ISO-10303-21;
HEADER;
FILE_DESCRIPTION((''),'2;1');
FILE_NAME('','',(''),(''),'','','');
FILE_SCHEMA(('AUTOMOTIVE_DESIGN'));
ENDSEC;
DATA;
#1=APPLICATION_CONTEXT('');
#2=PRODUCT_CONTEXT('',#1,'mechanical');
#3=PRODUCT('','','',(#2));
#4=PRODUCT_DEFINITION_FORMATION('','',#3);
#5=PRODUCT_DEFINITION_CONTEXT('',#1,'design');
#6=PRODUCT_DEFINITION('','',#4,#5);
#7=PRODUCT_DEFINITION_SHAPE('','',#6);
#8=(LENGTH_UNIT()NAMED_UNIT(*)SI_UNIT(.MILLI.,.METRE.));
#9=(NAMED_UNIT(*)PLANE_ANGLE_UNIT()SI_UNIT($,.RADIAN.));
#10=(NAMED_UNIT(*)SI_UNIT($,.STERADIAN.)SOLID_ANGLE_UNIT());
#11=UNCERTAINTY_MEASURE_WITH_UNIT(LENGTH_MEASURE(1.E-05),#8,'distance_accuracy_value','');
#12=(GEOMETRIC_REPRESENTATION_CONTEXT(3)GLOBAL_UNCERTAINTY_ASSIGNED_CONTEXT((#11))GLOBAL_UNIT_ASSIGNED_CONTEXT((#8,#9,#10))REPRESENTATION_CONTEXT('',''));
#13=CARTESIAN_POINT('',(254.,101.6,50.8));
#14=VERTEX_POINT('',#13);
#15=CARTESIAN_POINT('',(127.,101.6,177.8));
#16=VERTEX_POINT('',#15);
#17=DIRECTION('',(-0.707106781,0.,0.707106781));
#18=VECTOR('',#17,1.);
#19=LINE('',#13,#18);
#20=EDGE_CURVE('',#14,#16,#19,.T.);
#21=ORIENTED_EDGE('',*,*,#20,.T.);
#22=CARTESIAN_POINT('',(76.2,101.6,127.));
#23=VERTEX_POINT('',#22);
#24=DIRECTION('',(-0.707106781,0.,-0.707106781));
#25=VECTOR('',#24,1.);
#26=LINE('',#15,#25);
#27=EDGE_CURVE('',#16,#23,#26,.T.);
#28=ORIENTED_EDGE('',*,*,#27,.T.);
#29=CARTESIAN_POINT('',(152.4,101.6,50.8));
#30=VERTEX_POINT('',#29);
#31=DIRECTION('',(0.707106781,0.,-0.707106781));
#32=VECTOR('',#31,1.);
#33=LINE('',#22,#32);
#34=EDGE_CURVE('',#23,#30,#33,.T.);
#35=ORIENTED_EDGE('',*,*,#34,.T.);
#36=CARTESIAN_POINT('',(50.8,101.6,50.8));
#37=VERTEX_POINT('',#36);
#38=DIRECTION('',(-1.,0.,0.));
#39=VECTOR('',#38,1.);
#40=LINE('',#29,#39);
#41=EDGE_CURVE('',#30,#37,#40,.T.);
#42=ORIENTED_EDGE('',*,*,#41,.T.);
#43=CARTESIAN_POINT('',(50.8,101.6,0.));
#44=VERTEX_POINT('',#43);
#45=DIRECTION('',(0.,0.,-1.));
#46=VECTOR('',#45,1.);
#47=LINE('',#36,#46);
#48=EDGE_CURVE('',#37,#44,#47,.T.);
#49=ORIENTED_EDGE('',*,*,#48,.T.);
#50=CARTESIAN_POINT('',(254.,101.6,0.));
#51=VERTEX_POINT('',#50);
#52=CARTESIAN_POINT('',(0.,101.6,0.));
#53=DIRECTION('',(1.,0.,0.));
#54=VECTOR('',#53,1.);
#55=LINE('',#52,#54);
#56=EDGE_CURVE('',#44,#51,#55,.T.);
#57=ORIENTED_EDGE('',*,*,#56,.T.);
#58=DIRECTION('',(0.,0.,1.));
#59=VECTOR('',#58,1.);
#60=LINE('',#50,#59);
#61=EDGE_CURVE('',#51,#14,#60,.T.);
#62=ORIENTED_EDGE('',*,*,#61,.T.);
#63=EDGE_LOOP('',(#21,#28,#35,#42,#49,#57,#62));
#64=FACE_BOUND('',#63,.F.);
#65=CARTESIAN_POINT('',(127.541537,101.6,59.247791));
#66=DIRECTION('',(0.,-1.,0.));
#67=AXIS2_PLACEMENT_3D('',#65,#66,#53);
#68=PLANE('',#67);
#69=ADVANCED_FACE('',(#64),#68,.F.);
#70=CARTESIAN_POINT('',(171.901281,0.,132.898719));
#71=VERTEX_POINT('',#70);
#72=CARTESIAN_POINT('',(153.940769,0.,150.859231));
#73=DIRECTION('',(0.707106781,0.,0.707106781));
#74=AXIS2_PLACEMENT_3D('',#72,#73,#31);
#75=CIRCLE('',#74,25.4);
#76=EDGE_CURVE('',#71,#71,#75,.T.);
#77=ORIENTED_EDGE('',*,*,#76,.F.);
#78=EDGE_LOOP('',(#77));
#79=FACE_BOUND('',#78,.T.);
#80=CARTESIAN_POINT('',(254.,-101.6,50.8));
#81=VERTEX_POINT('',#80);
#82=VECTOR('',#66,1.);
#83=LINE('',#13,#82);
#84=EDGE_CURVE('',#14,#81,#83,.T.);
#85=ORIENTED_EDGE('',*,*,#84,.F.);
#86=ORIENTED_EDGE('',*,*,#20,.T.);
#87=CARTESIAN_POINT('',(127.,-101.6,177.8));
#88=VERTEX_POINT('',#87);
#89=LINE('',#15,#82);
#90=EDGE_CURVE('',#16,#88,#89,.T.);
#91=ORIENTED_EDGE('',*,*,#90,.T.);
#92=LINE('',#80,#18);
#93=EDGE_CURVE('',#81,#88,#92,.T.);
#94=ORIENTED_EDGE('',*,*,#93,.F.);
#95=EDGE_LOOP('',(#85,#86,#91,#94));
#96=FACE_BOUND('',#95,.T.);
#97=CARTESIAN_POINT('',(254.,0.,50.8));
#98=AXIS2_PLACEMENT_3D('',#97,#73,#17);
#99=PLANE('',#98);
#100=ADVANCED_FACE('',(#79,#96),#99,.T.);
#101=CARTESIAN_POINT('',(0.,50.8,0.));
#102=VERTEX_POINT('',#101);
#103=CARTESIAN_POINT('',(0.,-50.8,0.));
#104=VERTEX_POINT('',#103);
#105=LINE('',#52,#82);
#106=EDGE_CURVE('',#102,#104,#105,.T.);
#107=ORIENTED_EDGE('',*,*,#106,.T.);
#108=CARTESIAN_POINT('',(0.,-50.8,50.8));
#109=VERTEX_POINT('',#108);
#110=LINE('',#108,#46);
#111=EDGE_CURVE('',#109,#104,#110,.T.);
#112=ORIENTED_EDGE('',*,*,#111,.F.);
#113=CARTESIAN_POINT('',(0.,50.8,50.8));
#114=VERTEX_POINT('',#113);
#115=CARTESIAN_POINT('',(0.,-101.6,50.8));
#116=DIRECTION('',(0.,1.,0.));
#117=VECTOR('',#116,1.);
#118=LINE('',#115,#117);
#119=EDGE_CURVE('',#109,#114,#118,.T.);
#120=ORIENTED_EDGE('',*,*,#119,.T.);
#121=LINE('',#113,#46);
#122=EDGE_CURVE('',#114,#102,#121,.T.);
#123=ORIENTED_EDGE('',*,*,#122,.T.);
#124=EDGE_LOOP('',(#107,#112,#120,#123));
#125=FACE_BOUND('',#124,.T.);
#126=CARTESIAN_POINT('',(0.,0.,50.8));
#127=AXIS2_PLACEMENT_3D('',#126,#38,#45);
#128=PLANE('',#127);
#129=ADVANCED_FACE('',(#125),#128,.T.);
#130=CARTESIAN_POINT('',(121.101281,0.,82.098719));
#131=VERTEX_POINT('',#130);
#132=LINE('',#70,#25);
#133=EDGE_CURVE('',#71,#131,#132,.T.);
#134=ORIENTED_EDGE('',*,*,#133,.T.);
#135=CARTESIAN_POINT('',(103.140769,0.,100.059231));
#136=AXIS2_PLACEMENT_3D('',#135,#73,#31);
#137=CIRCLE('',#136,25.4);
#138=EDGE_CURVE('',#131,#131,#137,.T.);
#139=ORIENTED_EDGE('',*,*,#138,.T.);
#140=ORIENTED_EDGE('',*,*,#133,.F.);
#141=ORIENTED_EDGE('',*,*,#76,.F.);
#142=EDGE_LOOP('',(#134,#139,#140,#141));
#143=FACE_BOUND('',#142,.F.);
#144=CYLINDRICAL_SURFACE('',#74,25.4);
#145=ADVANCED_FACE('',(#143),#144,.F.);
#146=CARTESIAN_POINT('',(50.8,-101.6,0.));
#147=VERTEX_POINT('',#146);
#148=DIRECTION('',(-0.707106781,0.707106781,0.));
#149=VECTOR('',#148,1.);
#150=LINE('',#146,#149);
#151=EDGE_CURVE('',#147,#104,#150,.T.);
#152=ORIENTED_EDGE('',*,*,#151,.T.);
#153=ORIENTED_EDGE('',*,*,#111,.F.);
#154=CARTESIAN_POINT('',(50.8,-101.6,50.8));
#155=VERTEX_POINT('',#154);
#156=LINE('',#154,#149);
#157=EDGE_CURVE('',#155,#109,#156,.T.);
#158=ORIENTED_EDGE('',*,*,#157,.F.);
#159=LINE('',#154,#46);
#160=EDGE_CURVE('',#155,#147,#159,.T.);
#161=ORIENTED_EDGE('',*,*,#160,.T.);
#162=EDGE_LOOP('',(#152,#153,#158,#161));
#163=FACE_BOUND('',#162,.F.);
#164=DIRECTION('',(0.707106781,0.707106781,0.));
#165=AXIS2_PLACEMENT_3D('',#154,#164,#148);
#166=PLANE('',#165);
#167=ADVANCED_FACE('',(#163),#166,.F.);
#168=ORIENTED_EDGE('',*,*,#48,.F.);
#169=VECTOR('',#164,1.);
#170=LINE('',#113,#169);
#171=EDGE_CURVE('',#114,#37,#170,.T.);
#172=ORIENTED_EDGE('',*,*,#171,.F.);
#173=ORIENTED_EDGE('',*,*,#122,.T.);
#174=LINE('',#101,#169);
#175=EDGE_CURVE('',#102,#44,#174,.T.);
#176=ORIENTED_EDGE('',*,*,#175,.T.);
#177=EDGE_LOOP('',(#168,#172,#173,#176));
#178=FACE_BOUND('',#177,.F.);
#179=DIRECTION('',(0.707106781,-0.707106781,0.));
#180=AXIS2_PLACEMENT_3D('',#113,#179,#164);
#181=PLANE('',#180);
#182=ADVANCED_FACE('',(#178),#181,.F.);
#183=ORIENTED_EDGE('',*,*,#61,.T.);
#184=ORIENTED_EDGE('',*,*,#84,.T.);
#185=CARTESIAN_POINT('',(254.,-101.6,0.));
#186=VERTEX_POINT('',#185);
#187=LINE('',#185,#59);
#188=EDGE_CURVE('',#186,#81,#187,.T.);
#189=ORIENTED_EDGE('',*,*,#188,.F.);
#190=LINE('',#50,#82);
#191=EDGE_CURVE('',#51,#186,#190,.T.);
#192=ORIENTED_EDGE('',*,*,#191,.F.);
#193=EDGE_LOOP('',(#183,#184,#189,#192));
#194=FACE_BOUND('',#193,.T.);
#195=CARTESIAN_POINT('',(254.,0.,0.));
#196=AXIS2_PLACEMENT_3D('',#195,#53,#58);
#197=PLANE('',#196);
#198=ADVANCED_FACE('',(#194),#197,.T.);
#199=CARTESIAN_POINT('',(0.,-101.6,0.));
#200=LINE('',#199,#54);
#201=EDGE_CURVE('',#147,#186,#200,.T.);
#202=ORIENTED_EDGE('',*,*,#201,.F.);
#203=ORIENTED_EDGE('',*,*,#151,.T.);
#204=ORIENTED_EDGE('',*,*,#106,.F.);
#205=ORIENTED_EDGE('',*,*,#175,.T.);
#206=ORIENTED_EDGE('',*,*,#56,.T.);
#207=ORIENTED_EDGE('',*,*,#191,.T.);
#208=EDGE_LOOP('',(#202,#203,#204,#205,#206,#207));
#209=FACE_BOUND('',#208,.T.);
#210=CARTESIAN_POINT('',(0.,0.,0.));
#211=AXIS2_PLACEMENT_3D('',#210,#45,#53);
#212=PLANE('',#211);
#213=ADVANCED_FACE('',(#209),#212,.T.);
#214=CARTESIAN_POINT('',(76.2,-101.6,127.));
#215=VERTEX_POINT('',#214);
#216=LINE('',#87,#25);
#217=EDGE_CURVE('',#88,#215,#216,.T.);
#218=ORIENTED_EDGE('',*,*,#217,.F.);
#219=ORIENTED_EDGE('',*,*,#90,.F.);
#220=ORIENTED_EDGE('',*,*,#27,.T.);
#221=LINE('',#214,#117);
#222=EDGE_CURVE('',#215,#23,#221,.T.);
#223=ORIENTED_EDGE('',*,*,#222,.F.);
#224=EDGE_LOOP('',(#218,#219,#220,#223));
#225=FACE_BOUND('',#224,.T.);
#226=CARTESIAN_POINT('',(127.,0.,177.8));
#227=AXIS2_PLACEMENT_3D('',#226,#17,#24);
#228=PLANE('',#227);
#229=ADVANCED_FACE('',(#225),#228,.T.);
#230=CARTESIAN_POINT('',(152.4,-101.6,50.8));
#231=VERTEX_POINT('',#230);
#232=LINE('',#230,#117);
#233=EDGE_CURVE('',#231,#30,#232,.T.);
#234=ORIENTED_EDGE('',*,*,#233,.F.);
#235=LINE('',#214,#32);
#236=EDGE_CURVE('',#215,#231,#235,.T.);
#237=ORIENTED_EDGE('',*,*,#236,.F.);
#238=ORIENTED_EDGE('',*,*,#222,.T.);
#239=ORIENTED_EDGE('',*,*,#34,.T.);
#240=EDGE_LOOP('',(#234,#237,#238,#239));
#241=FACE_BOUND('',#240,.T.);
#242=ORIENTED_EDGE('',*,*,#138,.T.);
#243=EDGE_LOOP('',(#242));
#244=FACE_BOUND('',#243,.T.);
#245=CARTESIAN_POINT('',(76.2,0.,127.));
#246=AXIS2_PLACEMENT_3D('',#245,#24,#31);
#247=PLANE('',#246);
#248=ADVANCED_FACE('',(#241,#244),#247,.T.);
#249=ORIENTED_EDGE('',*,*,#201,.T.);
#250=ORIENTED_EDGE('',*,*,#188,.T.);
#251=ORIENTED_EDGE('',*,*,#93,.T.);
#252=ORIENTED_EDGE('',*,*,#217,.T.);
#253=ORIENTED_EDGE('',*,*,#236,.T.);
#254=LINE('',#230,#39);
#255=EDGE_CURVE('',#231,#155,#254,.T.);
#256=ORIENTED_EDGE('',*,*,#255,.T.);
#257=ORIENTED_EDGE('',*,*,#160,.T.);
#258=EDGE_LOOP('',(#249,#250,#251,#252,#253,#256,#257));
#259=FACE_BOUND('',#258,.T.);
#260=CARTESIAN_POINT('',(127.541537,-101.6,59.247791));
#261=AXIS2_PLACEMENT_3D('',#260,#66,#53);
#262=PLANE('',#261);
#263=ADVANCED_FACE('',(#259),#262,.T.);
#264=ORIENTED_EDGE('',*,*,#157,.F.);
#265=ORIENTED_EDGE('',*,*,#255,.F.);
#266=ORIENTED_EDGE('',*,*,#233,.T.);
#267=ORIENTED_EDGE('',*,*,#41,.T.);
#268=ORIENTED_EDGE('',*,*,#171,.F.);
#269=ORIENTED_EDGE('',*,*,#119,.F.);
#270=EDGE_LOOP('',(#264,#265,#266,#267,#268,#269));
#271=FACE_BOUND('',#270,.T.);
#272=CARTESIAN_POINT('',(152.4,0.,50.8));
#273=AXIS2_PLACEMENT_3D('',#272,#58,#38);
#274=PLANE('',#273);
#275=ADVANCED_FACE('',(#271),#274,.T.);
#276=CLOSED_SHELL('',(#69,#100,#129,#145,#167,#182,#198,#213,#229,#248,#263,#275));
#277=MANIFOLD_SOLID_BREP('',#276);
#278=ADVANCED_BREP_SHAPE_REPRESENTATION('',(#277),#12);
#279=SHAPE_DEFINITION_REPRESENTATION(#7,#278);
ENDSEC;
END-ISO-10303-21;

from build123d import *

# Parameters (mm, degrees)
F1_DEPTH = 101.6
F3_DEPTH = 50.8
F4_R     = 25.4
F5_DEPTH = 88.9


with BuildPart() as f1:
    # F0 (on Front) → F1 (new body, symmetric)
    with BuildSketch(Plane.XZ):
        Polygon((0, 50.8), (0, 0), (254, 0), (254, 50.8), (127, 177.8), (76.2, 127), (152.4, 50.8), align=None)
    extrude(amount=F1_DEPTH, both=True)

    # F2 (on face) → F3 (cut)
    with BuildSketch(Plane.XY.offset(50.8)):
        Polygon((0, 101.6), (0, 50.8), (50.8, 101.6), align=None)
        Polygon((50.8, -101.6), (0, -50.8), (0, -101.6), align=None)
    extrude(amount=-F3_DEPTH, mode=Mode.SUBTRACT)

    # F4 (on face) → F5 (cut)
    with BuildSketch(Plane(origin=(152.4, 0, 152.4), x_dir=(0.707107, 0, -0.707107), z_dir=(0.707107, 0, 0.707107))):
        with Locations((2.178976, 0)):
            Circle(F4_R)
    extrude(amount=-F5_DEPTH, mode=Mode.SUBTRACT)


solid = f1.part
